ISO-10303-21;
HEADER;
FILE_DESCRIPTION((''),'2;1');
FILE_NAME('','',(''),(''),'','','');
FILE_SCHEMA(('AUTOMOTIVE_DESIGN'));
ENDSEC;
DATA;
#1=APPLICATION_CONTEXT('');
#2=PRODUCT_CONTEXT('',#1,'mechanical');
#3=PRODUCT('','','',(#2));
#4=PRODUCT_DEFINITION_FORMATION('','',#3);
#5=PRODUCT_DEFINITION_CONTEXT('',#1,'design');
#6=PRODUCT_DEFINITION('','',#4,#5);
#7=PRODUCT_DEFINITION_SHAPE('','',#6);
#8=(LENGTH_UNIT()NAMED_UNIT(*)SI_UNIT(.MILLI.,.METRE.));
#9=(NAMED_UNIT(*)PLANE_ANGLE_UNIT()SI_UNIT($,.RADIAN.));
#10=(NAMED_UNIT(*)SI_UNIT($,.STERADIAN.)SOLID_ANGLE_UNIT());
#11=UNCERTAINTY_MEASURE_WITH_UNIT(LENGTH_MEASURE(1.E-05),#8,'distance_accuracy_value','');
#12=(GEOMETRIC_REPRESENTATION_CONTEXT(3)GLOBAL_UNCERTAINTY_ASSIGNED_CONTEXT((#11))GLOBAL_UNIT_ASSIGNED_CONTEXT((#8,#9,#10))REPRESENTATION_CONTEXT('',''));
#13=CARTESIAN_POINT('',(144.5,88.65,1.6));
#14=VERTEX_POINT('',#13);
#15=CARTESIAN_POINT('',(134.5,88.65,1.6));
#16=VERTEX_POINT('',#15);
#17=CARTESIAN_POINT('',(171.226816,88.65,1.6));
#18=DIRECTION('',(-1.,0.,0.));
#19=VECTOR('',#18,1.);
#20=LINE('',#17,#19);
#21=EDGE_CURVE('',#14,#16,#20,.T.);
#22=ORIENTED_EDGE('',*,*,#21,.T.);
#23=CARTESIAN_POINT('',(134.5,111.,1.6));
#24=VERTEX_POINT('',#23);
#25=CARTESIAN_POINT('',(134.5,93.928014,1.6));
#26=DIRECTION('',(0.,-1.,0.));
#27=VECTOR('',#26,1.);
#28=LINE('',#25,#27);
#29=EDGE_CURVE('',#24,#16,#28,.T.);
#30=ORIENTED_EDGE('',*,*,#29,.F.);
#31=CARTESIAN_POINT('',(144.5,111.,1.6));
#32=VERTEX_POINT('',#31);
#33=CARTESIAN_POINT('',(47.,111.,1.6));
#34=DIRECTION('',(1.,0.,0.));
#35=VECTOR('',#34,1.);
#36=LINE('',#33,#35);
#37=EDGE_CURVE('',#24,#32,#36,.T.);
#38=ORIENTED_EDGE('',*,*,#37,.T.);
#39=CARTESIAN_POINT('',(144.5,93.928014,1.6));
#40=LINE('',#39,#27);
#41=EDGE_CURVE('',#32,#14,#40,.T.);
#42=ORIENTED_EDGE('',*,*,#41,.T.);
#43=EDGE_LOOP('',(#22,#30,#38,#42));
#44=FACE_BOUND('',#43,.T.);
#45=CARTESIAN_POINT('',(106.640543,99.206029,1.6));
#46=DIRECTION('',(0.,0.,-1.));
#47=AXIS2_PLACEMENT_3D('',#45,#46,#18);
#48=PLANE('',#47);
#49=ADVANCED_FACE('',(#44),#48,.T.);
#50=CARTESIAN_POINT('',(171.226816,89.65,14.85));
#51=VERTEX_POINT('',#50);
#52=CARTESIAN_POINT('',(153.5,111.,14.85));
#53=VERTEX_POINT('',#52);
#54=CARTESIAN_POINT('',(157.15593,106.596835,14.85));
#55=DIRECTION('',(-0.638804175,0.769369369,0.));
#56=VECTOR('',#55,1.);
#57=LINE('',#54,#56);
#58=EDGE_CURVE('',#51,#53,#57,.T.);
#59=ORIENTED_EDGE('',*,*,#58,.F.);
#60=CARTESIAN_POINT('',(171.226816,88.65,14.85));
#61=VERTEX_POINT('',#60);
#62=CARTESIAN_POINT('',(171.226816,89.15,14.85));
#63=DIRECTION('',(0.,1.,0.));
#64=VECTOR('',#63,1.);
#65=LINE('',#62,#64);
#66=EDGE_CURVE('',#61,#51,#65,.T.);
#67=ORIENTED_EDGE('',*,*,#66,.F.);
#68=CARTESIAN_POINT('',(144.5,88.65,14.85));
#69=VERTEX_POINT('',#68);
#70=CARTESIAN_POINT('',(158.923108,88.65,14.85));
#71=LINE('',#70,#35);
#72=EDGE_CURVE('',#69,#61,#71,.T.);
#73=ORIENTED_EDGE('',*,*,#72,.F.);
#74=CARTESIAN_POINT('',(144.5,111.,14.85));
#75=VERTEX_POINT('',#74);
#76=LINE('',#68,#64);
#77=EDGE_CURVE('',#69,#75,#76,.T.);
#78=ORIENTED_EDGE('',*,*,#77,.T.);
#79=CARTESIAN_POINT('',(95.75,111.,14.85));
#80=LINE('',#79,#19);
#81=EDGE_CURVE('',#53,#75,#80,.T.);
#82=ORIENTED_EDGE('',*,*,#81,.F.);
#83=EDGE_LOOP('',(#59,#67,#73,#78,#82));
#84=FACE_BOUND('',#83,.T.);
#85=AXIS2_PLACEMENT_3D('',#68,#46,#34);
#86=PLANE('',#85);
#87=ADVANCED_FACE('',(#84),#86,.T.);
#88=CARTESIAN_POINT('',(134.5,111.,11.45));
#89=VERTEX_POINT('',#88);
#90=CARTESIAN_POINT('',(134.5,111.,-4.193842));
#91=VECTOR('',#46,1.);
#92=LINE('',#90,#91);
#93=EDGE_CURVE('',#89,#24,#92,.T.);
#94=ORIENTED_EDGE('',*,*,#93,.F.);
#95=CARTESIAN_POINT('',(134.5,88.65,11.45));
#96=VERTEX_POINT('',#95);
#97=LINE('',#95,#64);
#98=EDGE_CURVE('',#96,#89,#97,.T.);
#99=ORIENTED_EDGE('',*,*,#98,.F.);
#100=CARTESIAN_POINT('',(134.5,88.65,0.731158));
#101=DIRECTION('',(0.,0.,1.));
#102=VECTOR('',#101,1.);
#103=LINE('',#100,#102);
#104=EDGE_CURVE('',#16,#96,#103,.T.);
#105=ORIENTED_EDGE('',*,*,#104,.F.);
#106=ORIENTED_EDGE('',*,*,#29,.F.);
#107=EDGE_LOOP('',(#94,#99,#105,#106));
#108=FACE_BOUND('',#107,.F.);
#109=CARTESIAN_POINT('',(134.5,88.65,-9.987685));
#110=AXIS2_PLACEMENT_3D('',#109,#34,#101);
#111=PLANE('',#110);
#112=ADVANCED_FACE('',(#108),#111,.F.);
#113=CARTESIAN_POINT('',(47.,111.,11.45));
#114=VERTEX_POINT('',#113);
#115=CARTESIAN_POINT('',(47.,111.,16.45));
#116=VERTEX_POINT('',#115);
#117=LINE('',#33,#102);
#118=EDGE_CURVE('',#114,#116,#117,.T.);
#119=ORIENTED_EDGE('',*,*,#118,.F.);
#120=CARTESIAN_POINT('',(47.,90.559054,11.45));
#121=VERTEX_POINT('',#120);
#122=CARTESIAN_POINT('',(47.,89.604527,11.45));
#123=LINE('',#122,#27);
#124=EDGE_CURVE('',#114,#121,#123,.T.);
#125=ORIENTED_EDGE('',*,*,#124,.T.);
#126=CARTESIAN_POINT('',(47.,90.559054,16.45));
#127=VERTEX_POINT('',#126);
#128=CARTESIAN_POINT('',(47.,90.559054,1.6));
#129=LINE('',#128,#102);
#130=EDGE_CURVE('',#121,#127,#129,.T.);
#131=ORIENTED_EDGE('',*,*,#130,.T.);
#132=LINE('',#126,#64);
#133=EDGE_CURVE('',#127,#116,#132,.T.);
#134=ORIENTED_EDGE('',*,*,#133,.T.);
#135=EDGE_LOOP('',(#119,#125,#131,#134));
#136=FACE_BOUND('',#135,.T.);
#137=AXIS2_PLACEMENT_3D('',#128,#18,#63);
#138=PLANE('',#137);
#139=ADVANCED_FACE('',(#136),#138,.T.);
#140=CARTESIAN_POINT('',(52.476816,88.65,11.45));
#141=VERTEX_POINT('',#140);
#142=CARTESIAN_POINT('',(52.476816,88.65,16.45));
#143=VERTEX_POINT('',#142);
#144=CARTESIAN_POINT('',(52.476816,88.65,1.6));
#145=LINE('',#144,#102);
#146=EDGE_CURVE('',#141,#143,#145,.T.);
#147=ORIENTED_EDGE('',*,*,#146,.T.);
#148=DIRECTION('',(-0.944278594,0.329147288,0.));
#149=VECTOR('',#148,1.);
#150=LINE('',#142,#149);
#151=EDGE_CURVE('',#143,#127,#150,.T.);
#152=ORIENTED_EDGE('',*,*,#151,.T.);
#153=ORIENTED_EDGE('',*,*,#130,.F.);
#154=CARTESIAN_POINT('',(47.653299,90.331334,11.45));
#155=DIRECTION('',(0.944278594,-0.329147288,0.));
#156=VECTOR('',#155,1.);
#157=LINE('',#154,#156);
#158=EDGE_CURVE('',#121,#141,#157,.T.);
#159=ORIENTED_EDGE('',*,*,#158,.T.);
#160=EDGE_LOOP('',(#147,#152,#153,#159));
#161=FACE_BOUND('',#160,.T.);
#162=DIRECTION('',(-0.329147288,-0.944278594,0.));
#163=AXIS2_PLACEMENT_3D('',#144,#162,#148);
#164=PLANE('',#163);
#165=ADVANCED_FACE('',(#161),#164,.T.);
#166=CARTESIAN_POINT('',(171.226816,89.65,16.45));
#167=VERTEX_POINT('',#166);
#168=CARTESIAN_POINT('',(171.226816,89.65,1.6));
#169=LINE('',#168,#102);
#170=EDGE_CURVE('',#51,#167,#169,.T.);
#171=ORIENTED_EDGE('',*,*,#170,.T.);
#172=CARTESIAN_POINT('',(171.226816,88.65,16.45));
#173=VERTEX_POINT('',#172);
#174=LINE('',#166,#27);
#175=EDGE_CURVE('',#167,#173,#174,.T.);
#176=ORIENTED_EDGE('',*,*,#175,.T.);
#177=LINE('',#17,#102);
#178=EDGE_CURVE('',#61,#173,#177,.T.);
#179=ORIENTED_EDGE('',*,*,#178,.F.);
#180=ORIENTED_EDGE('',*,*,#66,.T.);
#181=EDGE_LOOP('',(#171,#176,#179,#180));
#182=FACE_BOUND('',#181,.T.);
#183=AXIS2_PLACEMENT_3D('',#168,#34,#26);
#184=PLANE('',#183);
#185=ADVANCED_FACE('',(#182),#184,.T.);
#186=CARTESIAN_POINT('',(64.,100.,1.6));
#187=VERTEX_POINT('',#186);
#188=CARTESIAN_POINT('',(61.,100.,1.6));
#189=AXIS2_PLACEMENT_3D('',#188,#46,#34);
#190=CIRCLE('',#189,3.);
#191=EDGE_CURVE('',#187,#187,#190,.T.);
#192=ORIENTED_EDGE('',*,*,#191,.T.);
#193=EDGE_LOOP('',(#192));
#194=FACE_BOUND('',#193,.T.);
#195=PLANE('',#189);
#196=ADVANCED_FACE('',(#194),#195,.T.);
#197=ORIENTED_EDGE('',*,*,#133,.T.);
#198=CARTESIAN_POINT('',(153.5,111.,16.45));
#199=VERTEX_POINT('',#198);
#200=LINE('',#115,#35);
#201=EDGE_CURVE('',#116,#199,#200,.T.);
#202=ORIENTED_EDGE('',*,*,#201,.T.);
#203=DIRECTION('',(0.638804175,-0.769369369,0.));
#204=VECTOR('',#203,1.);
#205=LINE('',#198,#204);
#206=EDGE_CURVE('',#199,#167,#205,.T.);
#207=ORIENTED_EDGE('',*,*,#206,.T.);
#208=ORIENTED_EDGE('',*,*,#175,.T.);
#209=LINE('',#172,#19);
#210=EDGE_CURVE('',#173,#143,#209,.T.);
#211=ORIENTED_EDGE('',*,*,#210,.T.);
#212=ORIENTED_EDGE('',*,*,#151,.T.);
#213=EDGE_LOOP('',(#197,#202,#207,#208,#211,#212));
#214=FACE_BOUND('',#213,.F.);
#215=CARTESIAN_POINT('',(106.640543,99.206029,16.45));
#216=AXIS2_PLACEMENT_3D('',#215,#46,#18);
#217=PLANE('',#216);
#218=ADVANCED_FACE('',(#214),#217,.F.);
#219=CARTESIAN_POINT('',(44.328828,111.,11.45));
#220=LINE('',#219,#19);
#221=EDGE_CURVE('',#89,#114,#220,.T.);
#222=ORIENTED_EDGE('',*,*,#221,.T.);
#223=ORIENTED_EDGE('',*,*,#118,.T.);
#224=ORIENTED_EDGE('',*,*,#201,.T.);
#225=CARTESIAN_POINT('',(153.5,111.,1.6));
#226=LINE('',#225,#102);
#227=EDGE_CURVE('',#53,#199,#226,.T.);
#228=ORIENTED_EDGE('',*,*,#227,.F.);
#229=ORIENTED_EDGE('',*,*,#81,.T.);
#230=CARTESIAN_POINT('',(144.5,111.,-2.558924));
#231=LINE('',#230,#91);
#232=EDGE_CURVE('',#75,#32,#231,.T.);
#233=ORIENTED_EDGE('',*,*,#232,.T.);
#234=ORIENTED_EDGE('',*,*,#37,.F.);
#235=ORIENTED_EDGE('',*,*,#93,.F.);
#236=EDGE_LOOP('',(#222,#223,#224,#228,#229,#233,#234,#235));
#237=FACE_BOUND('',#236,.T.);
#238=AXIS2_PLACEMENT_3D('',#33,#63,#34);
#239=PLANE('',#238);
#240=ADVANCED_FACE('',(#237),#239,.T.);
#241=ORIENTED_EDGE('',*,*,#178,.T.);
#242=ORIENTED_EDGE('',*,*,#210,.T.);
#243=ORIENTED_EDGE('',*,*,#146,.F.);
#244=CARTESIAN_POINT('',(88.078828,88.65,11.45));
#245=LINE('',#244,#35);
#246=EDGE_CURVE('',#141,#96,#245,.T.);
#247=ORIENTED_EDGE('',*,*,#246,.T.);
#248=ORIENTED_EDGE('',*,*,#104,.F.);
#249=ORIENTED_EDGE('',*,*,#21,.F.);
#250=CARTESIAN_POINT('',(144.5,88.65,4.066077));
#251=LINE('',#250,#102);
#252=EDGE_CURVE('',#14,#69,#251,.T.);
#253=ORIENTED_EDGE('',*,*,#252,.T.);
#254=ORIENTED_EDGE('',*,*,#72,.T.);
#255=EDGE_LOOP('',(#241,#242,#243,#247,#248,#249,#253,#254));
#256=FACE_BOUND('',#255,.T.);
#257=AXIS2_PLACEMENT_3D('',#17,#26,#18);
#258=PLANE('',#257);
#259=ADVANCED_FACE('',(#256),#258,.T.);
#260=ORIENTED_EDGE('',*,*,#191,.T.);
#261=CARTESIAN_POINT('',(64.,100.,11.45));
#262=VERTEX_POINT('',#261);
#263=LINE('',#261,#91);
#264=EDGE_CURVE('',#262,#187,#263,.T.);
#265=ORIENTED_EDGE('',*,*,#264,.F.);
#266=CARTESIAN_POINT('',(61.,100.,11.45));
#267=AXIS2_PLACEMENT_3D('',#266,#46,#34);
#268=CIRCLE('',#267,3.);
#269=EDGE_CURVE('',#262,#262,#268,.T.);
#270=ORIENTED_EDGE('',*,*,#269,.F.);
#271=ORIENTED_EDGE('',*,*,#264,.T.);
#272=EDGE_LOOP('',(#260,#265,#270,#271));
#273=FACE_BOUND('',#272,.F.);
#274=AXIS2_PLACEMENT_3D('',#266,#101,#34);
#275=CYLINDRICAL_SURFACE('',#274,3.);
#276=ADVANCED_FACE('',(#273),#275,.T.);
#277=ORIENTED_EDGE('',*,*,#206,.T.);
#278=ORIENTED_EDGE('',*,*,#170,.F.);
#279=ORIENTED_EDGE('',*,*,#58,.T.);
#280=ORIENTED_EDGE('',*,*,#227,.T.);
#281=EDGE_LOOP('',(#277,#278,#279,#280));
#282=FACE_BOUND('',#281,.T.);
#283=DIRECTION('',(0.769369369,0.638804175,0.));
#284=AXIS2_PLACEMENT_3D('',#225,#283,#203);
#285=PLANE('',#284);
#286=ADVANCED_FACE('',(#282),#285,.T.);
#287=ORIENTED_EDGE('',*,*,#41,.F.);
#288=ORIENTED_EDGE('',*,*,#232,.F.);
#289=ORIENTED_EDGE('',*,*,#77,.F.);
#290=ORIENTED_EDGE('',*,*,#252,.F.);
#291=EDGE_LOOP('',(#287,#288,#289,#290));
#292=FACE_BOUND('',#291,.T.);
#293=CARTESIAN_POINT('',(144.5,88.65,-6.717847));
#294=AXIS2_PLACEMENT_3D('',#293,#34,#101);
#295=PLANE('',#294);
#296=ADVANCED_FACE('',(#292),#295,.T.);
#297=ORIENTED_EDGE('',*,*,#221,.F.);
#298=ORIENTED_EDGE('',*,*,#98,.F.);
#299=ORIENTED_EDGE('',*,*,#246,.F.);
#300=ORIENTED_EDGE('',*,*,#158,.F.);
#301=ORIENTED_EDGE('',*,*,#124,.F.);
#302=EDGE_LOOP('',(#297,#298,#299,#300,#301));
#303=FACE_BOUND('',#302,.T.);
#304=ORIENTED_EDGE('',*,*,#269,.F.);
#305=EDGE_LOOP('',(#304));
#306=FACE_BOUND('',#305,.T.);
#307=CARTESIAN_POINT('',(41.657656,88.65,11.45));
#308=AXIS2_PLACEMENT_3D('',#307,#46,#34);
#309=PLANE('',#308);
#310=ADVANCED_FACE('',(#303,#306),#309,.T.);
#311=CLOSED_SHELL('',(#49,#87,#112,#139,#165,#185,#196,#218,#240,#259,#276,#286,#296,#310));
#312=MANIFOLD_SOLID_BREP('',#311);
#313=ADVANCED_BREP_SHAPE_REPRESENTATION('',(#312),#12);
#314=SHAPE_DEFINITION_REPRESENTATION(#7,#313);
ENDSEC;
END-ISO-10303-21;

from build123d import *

# Parameters (mm, degrees)
PAD067_DEPTH    = 14.85
SKETCH113_W     = 92.842344
SKETCH113_H     = 21.437685
SKETCH113_W_2   = 28.846216
SKETCH113_H_2   = 21.567847
POCKET027_DEPTH = 22.351
SKETCH114_R     = 3
PAD068_DEPTH    = 9.85


with BuildPart() as part:
    # Sketch112 (on DatumPlane) → Pad067 (new body)
    with BuildSketch(Plane.XY.offset(1.6)):
        Polygon((47, 111), (153.5, 111), (171.2268158449, 89.65), (171.2268158449, 88.65), (52.4768158449, 88.65), (47, 90.5590542687), align=None)
    extrude(amount=PAD067_DEPTH)

    # Sketch113 (on Face4 of Pad067) → Pocket027 (cut, through all)
    with BuildSketch(Plane(origin=(0, 88.65, 1.6), x_dir=(1, 0, 0), z_dir=(0, -1, 0))):
        with Locations((88.078828, -0.8688425)):
            Rectangle(SKETCH113_W, SKETCH113_H)
        with Locations((158.923108, 2.4660765)):
            Rectangle(SKETCH113_W_2, SKETCH113_H_2)
    extrude(amount=-POCKET027_DEPTH, mode=Mode.SUBTRACT)

    # Sketch114 (on Face2 of Pocket027) → Pad068 (join)
    with BuildSketch(Plane(origin=(0, 0, 11.45), x_dir=(1, 0, 0), z_dir=(0, 0, -1))):
        with Locations((61, -100)):
            Circle(SKETCH114_R)
    extrude(amount=PAD068_DEPTH)


solid = part.part
